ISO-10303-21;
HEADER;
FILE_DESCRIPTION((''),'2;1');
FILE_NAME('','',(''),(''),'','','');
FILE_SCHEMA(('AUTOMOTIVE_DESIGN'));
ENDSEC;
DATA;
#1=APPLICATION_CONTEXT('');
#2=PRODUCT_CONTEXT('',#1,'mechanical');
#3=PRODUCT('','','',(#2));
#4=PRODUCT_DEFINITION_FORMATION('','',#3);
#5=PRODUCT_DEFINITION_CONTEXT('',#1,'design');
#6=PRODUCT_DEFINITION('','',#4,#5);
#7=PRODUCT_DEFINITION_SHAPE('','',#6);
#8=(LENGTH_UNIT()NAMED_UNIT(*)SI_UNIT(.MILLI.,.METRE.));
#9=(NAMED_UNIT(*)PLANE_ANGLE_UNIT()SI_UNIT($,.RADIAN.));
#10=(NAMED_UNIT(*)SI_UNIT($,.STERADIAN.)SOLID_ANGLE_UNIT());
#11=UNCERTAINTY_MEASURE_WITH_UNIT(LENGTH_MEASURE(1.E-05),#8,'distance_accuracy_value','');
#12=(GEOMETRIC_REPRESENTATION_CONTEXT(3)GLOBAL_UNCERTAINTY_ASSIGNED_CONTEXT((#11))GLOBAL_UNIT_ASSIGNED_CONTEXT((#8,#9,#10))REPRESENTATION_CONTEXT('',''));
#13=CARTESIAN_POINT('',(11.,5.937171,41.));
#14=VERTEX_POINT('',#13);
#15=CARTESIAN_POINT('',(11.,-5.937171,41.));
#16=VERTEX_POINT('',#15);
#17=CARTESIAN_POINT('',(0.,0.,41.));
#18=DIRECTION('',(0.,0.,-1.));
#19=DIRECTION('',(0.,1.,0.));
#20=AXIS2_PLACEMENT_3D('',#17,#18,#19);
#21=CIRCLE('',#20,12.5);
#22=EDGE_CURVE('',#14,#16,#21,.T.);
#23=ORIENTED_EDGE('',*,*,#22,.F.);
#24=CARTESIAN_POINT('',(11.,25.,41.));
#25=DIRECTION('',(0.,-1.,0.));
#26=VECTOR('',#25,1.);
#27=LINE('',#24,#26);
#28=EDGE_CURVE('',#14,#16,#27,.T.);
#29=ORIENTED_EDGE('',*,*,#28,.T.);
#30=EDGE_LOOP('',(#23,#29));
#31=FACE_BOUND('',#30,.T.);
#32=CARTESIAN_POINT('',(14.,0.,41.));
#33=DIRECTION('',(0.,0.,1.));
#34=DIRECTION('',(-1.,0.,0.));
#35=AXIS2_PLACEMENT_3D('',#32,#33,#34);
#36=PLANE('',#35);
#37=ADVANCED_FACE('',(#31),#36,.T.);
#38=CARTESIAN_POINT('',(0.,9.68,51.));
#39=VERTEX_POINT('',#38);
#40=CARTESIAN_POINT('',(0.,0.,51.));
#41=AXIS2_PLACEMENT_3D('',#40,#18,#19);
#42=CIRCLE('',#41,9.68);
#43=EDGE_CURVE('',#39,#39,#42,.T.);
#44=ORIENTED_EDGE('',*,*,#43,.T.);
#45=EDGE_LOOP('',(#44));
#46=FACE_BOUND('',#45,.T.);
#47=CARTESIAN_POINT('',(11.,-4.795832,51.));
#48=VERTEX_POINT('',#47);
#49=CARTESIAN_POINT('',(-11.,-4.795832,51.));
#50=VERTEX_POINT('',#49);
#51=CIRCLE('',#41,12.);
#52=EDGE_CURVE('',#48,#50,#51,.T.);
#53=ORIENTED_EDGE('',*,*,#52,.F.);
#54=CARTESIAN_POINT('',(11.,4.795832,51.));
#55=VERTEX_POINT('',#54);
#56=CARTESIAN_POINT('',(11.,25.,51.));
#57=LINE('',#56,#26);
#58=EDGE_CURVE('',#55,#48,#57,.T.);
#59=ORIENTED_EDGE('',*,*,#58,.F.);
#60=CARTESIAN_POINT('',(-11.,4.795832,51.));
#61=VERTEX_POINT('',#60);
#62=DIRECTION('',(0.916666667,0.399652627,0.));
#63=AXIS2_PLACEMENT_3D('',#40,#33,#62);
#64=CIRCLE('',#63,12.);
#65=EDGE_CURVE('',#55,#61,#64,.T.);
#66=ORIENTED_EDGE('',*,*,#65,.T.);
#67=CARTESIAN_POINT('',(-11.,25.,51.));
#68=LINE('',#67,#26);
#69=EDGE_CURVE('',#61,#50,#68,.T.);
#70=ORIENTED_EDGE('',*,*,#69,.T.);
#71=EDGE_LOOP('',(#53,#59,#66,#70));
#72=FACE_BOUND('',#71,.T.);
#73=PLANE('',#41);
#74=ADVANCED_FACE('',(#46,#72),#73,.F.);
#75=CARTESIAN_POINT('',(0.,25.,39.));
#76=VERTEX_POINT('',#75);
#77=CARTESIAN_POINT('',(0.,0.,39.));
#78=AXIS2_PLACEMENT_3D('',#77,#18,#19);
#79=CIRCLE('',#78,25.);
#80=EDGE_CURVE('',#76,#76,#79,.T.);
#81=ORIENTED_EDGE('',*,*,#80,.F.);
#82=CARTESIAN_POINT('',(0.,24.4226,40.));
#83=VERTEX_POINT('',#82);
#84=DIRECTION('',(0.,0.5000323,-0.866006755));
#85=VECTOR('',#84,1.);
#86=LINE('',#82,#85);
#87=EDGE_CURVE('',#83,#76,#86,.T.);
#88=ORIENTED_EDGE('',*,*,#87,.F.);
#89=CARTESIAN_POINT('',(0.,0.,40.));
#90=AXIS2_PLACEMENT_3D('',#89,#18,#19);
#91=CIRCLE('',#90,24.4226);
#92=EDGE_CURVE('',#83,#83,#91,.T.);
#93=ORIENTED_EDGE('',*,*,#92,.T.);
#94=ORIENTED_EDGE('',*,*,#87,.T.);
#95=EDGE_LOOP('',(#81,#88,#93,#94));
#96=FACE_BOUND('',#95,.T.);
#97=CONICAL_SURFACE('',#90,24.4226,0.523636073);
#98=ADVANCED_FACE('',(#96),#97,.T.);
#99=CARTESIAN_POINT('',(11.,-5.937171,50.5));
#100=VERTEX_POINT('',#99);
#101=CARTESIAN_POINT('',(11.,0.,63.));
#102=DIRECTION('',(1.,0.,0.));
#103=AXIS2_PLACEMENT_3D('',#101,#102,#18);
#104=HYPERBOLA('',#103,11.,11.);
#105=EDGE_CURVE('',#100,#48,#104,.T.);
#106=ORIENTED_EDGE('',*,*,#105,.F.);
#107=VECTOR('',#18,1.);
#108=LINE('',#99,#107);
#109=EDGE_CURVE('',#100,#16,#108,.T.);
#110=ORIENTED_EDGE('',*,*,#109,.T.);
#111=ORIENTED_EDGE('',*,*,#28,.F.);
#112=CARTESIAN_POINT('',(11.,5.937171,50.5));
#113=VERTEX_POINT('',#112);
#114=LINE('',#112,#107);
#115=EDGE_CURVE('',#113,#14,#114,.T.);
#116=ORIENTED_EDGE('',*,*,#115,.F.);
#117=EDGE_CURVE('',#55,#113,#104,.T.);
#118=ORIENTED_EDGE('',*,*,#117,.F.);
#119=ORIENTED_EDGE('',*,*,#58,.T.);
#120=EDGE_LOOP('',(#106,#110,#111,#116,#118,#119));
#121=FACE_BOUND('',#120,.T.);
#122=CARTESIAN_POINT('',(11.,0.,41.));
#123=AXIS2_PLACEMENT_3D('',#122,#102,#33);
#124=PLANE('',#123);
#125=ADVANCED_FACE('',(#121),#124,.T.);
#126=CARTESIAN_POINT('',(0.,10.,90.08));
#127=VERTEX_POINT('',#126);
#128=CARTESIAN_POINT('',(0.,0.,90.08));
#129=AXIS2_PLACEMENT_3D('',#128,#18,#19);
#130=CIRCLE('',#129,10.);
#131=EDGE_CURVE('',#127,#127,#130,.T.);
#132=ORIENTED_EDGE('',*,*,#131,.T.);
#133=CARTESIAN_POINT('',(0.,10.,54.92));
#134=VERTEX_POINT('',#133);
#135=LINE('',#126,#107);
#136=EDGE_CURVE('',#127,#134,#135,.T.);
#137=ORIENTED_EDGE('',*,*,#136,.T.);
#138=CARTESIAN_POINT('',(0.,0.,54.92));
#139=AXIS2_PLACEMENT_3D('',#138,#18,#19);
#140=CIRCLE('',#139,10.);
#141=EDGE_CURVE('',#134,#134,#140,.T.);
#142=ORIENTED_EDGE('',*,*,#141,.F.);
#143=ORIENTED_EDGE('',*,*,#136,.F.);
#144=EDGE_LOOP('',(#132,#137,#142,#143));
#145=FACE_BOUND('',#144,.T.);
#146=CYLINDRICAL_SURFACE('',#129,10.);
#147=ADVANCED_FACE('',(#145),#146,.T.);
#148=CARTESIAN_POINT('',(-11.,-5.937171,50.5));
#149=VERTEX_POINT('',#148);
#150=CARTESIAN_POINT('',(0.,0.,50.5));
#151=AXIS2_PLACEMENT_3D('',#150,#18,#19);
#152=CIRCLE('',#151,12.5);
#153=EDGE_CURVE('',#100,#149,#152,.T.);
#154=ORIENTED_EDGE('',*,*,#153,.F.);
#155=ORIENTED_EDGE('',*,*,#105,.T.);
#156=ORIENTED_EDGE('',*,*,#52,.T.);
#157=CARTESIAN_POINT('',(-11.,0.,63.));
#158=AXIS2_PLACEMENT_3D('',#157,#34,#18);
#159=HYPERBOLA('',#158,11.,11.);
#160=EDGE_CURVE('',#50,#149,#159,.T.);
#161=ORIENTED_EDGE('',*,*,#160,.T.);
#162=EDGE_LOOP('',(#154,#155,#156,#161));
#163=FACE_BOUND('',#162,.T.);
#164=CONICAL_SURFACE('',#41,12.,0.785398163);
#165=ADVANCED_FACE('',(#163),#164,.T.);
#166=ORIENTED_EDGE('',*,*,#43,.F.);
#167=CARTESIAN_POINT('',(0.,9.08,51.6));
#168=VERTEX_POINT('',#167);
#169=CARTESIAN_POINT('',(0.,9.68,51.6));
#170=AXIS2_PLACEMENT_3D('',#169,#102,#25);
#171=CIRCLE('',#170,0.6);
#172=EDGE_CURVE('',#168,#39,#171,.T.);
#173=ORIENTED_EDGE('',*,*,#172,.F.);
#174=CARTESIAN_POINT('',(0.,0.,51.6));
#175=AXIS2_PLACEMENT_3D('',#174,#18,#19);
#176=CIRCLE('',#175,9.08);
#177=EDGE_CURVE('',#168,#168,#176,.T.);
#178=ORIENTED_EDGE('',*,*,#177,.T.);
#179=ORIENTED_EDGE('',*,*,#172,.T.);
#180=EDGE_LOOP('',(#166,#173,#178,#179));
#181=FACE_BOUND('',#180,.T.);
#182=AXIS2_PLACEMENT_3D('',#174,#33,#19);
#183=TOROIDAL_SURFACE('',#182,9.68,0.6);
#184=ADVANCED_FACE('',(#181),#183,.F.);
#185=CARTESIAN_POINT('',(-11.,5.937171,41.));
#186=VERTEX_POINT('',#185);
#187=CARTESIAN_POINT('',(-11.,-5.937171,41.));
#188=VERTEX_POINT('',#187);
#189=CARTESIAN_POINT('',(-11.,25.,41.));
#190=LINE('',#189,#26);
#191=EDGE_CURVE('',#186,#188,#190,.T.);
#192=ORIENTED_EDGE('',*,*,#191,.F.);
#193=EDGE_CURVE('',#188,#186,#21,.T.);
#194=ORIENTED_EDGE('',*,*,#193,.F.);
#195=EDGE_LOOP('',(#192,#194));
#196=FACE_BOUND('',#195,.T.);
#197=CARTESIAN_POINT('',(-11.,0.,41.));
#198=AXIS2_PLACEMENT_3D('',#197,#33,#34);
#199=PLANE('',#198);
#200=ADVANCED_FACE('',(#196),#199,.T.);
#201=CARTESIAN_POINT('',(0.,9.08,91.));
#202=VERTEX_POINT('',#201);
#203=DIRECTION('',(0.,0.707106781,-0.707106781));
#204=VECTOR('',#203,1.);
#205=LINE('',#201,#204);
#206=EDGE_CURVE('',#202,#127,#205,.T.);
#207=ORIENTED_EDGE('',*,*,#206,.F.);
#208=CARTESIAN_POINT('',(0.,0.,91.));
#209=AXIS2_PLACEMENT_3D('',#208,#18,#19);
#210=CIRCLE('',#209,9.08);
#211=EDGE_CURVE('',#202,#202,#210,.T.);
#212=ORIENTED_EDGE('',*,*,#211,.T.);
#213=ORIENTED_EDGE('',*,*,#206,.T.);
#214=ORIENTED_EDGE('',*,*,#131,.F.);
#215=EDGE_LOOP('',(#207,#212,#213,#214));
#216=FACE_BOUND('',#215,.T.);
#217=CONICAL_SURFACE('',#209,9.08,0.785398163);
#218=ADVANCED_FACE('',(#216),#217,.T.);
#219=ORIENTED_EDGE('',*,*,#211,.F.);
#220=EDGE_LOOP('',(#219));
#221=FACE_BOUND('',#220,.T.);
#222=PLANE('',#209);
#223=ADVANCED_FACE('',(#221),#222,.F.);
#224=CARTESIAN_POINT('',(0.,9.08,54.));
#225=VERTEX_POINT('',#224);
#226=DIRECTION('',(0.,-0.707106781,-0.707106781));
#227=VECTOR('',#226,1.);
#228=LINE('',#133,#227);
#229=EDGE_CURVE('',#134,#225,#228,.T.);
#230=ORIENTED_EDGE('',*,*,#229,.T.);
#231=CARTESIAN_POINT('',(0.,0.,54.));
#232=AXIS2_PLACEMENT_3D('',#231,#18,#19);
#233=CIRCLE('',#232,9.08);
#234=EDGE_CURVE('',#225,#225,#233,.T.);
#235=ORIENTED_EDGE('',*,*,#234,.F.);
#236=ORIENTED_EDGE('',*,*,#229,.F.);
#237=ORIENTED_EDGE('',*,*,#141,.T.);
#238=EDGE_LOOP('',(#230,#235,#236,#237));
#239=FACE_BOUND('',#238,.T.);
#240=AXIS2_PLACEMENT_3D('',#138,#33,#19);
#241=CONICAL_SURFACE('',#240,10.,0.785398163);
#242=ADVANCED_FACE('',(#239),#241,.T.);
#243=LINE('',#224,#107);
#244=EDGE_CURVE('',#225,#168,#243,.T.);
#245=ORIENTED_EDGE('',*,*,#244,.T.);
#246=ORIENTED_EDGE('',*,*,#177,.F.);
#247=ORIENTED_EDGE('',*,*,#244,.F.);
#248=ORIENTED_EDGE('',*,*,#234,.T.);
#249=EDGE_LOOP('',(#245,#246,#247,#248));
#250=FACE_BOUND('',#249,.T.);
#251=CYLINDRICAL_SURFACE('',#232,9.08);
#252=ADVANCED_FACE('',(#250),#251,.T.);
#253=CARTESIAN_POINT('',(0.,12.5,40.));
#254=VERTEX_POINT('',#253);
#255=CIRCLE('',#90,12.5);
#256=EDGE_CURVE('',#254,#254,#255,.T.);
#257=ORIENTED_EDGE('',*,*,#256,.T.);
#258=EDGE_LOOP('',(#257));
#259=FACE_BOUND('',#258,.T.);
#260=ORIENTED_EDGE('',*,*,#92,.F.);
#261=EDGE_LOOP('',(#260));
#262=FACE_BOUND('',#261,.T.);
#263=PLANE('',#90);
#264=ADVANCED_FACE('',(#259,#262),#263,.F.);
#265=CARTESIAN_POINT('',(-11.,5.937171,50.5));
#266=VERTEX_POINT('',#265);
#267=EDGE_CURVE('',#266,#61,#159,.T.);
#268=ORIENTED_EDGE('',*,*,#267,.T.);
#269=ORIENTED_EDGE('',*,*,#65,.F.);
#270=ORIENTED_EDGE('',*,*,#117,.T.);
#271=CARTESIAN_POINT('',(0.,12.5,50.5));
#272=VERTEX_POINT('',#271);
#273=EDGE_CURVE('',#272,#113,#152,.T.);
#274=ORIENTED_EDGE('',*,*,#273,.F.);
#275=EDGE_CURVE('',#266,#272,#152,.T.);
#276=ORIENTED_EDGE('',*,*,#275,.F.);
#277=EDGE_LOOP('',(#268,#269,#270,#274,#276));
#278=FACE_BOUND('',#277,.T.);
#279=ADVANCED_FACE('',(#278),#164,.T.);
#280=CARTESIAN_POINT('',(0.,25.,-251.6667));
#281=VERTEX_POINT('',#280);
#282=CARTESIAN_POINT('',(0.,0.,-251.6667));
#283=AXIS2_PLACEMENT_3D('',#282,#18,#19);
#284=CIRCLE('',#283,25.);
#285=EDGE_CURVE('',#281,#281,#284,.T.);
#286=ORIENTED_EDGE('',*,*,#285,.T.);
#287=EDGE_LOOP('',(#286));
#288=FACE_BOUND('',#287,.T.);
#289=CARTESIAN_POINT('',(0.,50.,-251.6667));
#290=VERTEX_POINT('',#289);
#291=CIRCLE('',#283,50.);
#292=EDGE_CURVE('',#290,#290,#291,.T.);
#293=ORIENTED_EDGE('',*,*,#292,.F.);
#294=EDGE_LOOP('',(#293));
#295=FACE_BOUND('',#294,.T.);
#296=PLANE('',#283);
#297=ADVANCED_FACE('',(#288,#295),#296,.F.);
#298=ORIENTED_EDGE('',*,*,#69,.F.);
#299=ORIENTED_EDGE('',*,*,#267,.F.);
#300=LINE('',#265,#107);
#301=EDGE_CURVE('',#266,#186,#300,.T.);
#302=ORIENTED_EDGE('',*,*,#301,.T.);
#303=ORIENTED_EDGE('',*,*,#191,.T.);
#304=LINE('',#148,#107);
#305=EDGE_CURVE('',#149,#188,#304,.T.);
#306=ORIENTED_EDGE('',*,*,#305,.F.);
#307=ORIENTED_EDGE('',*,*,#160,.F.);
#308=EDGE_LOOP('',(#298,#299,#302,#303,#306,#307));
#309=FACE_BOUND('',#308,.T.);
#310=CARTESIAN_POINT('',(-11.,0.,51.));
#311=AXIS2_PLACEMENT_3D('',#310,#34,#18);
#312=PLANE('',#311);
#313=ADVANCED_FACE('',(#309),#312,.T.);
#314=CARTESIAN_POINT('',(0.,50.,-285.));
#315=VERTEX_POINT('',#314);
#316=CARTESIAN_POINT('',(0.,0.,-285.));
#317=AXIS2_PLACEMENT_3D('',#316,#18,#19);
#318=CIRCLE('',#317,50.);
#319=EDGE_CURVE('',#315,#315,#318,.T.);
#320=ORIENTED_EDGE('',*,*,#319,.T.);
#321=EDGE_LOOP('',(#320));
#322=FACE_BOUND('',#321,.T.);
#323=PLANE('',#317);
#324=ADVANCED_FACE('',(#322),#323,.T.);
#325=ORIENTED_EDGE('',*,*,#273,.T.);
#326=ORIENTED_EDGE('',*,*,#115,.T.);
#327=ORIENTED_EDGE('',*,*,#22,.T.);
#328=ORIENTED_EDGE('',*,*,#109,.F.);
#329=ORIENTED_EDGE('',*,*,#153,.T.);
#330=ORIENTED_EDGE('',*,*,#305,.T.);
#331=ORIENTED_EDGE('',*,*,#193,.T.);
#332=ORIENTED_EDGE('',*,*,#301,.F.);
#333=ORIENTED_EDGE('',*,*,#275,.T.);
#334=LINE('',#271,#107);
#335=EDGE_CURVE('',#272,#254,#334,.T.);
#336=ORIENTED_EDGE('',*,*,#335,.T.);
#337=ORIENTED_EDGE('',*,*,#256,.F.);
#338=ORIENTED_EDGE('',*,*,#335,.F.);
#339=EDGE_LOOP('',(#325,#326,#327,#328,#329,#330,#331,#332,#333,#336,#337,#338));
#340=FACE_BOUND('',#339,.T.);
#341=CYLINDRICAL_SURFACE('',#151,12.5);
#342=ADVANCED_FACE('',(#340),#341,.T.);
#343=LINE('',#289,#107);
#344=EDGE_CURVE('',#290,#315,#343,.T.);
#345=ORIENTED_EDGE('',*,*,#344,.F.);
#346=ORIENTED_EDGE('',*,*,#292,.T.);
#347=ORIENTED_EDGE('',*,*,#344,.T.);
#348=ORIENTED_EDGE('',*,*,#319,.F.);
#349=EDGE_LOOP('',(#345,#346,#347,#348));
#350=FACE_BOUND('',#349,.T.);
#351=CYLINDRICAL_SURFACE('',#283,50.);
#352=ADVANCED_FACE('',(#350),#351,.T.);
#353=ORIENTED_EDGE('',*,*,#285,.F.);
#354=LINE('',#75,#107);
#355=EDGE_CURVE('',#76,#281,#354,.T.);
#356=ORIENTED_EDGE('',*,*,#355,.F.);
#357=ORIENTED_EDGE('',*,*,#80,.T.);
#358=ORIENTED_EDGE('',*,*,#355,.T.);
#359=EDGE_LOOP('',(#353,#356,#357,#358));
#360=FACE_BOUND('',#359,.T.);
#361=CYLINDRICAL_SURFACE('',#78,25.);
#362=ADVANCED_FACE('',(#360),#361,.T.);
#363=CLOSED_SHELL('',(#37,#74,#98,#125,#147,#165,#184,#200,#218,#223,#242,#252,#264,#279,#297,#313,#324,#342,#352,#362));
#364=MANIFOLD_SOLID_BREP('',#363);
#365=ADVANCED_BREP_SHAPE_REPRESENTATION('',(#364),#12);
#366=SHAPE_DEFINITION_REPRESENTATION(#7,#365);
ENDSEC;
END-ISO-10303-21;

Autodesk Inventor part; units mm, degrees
sketch "Sketch_1" plane through (0, 0, 0) normal (1, 0, 0) x (0, 1, 0)
  line L0 (0, -285) -> (0, 51)
  line L1 (0, 51) -> (12, 51)
  line L2 (12, 51) -> (12.5, 50.5)
  line L3 (12.5, 50.5) -> (12.5, 40)
  line L4 (12.5, 40) -> (24.4226, 40)
  line L5 (24.4226, 40) -> (25, 39)
  line L6 (25, 39) -> (25, -251.6667)
  line L7 (25, -251.6667) -> (50, -251.6667)
  line L8 (50, -251.6667) -> (50, -285)
  line L9 (50, -285) -> (0, -285)
  line L10 (0, -285) -> (0, 51)
revolve "Revolution1" add sketch "Sketch_1" angle 360 about axis through (0, 0, -285) along (0, 0, -1)
sketch "Sketch_3" plane through (0, 0, 0) normal (0, 1, 0) x (-1, 0, 0)
  line L0 (14, 41) -> (14, 54)
  line L1 (14, 54) -> (-14, 54)
  line L2 (-14, 54) -> (-14, 41)
  line L3 (-14, 41) -> (-11, 41)
  line L4 (-11, 41) -> (-11, 51)
  line L5 (-11, 51) -> (11, 51)
  line L6 (11, 51) -> (11, 41)
  line L7 (11, 41) -> (14, 41)
extrude "Extrusion1" cut sketch "Sketch_3" along normal mid plane 50
sketch "Sketch_2" plane through (0, 0, 0) normal (1, 0, 0) x (0, 1, 0)
  line L0 (0, 51) -> (0, 91)
  line L1 (0, 91) -> (9.08, 91)
  line L2 (9.08, 91) -> (10, 90.08)
  line L3 (10, 90.08) -> (10, 54.92)
  line L4 (10, 54.92) -> (9.08, 54)
  line L5 (9.08, 54) -> (9.08, 51.6)
  arc A0 (9.08, 51.6) -> (9.68, 51) centre (9.68, 51.6) ccw
  line L6 (9.68, 51) -> (0, 51)
  line L7 (0, 51) -> (0, 91)
revolve "Revolution2" add sketch "Sketch_2" angle 360 about axis through (0, 0, 51) along (0, 0, -1)
thread "Thread1" size "M20x1.5" class "6g" standard "ISO Metric profile" full length
ref_plane "ANBAU_XY" through (0, 0, -285) normal (0, 0, -1) x (1, 0, 0)
ref_plane "ANBAU_YZ" through (0, 0, -285) normal (1, 0, 0) x (0, -1, 0)
ref_plane "ANBAU_ZX" through (0, 0, -285) normal (0, -1, 0) x (0, 0, -1)
ref_plane "NUT_XY" through (0, 0, 61) normal (0, 0, -1) x (1, 0, 0)
ref_plane "NUT_YZ" through (0, 0, 61) normal (1, 0, 0) x (0, -1, 0)
ref_plane "NUT_ZX" through (0, 0, 61) normal (0, -1, 0) x (0, 0, -1)
properties part number "ESBF-BS-100-100-20P---(KS_0)"
